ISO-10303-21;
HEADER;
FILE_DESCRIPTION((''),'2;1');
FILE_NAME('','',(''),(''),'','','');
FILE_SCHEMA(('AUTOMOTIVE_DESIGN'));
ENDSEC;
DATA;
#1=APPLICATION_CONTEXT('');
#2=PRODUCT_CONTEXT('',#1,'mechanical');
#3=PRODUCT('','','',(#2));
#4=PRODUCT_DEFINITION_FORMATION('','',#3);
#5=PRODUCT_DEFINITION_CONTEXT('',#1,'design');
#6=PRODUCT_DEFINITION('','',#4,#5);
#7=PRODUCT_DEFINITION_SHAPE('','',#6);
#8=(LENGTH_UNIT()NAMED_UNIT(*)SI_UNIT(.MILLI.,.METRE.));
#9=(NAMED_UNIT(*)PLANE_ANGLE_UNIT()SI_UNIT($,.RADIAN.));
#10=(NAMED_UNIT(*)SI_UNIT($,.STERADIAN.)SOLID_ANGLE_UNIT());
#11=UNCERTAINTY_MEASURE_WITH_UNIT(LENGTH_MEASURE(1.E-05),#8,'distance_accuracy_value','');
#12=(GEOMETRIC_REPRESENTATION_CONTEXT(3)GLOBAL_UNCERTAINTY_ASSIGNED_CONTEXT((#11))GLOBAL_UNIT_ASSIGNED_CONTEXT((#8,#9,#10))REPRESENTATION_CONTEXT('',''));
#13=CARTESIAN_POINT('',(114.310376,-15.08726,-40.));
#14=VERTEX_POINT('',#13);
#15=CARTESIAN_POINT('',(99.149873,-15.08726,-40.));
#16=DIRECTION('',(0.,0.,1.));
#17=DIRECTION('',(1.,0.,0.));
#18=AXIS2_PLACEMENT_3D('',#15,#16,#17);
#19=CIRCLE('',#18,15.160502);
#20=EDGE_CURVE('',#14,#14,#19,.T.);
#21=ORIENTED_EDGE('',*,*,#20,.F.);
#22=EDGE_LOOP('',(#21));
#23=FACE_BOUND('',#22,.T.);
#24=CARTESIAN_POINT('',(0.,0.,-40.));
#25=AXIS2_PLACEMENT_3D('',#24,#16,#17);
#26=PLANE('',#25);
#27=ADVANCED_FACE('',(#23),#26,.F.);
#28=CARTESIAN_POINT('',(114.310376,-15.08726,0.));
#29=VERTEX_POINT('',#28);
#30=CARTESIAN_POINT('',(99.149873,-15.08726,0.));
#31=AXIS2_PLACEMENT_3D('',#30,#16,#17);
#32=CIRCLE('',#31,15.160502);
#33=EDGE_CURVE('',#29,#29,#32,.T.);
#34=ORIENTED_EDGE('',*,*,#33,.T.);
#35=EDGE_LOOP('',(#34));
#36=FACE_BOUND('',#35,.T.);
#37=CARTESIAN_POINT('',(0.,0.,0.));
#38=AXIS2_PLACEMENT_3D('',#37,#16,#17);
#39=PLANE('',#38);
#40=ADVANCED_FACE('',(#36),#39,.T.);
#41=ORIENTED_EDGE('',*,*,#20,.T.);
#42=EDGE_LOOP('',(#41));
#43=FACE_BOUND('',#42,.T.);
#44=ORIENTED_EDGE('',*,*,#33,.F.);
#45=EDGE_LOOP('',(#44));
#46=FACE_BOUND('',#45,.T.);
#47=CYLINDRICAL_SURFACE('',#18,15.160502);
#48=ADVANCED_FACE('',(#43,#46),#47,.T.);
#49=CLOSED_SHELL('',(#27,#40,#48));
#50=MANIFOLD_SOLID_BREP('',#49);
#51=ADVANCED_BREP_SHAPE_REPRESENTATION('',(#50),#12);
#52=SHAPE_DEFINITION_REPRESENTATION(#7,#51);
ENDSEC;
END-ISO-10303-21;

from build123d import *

# Parameters (mm, degrees)
SKETCH_2_R      = 15.160502364
EXTRUDE_2_DEPTH = 40


with BuildPart() as part:
    # 草图2 → 凸台-拉伸2 (new body)
    with BuildSketch(Plane.XY):
        with Locations((99.149873222, -15.087259813)):
            Circle(SKETCH_2_R)
    extrude(amount=-EXTRUDE_2_DEPTH)


solid = part.part
